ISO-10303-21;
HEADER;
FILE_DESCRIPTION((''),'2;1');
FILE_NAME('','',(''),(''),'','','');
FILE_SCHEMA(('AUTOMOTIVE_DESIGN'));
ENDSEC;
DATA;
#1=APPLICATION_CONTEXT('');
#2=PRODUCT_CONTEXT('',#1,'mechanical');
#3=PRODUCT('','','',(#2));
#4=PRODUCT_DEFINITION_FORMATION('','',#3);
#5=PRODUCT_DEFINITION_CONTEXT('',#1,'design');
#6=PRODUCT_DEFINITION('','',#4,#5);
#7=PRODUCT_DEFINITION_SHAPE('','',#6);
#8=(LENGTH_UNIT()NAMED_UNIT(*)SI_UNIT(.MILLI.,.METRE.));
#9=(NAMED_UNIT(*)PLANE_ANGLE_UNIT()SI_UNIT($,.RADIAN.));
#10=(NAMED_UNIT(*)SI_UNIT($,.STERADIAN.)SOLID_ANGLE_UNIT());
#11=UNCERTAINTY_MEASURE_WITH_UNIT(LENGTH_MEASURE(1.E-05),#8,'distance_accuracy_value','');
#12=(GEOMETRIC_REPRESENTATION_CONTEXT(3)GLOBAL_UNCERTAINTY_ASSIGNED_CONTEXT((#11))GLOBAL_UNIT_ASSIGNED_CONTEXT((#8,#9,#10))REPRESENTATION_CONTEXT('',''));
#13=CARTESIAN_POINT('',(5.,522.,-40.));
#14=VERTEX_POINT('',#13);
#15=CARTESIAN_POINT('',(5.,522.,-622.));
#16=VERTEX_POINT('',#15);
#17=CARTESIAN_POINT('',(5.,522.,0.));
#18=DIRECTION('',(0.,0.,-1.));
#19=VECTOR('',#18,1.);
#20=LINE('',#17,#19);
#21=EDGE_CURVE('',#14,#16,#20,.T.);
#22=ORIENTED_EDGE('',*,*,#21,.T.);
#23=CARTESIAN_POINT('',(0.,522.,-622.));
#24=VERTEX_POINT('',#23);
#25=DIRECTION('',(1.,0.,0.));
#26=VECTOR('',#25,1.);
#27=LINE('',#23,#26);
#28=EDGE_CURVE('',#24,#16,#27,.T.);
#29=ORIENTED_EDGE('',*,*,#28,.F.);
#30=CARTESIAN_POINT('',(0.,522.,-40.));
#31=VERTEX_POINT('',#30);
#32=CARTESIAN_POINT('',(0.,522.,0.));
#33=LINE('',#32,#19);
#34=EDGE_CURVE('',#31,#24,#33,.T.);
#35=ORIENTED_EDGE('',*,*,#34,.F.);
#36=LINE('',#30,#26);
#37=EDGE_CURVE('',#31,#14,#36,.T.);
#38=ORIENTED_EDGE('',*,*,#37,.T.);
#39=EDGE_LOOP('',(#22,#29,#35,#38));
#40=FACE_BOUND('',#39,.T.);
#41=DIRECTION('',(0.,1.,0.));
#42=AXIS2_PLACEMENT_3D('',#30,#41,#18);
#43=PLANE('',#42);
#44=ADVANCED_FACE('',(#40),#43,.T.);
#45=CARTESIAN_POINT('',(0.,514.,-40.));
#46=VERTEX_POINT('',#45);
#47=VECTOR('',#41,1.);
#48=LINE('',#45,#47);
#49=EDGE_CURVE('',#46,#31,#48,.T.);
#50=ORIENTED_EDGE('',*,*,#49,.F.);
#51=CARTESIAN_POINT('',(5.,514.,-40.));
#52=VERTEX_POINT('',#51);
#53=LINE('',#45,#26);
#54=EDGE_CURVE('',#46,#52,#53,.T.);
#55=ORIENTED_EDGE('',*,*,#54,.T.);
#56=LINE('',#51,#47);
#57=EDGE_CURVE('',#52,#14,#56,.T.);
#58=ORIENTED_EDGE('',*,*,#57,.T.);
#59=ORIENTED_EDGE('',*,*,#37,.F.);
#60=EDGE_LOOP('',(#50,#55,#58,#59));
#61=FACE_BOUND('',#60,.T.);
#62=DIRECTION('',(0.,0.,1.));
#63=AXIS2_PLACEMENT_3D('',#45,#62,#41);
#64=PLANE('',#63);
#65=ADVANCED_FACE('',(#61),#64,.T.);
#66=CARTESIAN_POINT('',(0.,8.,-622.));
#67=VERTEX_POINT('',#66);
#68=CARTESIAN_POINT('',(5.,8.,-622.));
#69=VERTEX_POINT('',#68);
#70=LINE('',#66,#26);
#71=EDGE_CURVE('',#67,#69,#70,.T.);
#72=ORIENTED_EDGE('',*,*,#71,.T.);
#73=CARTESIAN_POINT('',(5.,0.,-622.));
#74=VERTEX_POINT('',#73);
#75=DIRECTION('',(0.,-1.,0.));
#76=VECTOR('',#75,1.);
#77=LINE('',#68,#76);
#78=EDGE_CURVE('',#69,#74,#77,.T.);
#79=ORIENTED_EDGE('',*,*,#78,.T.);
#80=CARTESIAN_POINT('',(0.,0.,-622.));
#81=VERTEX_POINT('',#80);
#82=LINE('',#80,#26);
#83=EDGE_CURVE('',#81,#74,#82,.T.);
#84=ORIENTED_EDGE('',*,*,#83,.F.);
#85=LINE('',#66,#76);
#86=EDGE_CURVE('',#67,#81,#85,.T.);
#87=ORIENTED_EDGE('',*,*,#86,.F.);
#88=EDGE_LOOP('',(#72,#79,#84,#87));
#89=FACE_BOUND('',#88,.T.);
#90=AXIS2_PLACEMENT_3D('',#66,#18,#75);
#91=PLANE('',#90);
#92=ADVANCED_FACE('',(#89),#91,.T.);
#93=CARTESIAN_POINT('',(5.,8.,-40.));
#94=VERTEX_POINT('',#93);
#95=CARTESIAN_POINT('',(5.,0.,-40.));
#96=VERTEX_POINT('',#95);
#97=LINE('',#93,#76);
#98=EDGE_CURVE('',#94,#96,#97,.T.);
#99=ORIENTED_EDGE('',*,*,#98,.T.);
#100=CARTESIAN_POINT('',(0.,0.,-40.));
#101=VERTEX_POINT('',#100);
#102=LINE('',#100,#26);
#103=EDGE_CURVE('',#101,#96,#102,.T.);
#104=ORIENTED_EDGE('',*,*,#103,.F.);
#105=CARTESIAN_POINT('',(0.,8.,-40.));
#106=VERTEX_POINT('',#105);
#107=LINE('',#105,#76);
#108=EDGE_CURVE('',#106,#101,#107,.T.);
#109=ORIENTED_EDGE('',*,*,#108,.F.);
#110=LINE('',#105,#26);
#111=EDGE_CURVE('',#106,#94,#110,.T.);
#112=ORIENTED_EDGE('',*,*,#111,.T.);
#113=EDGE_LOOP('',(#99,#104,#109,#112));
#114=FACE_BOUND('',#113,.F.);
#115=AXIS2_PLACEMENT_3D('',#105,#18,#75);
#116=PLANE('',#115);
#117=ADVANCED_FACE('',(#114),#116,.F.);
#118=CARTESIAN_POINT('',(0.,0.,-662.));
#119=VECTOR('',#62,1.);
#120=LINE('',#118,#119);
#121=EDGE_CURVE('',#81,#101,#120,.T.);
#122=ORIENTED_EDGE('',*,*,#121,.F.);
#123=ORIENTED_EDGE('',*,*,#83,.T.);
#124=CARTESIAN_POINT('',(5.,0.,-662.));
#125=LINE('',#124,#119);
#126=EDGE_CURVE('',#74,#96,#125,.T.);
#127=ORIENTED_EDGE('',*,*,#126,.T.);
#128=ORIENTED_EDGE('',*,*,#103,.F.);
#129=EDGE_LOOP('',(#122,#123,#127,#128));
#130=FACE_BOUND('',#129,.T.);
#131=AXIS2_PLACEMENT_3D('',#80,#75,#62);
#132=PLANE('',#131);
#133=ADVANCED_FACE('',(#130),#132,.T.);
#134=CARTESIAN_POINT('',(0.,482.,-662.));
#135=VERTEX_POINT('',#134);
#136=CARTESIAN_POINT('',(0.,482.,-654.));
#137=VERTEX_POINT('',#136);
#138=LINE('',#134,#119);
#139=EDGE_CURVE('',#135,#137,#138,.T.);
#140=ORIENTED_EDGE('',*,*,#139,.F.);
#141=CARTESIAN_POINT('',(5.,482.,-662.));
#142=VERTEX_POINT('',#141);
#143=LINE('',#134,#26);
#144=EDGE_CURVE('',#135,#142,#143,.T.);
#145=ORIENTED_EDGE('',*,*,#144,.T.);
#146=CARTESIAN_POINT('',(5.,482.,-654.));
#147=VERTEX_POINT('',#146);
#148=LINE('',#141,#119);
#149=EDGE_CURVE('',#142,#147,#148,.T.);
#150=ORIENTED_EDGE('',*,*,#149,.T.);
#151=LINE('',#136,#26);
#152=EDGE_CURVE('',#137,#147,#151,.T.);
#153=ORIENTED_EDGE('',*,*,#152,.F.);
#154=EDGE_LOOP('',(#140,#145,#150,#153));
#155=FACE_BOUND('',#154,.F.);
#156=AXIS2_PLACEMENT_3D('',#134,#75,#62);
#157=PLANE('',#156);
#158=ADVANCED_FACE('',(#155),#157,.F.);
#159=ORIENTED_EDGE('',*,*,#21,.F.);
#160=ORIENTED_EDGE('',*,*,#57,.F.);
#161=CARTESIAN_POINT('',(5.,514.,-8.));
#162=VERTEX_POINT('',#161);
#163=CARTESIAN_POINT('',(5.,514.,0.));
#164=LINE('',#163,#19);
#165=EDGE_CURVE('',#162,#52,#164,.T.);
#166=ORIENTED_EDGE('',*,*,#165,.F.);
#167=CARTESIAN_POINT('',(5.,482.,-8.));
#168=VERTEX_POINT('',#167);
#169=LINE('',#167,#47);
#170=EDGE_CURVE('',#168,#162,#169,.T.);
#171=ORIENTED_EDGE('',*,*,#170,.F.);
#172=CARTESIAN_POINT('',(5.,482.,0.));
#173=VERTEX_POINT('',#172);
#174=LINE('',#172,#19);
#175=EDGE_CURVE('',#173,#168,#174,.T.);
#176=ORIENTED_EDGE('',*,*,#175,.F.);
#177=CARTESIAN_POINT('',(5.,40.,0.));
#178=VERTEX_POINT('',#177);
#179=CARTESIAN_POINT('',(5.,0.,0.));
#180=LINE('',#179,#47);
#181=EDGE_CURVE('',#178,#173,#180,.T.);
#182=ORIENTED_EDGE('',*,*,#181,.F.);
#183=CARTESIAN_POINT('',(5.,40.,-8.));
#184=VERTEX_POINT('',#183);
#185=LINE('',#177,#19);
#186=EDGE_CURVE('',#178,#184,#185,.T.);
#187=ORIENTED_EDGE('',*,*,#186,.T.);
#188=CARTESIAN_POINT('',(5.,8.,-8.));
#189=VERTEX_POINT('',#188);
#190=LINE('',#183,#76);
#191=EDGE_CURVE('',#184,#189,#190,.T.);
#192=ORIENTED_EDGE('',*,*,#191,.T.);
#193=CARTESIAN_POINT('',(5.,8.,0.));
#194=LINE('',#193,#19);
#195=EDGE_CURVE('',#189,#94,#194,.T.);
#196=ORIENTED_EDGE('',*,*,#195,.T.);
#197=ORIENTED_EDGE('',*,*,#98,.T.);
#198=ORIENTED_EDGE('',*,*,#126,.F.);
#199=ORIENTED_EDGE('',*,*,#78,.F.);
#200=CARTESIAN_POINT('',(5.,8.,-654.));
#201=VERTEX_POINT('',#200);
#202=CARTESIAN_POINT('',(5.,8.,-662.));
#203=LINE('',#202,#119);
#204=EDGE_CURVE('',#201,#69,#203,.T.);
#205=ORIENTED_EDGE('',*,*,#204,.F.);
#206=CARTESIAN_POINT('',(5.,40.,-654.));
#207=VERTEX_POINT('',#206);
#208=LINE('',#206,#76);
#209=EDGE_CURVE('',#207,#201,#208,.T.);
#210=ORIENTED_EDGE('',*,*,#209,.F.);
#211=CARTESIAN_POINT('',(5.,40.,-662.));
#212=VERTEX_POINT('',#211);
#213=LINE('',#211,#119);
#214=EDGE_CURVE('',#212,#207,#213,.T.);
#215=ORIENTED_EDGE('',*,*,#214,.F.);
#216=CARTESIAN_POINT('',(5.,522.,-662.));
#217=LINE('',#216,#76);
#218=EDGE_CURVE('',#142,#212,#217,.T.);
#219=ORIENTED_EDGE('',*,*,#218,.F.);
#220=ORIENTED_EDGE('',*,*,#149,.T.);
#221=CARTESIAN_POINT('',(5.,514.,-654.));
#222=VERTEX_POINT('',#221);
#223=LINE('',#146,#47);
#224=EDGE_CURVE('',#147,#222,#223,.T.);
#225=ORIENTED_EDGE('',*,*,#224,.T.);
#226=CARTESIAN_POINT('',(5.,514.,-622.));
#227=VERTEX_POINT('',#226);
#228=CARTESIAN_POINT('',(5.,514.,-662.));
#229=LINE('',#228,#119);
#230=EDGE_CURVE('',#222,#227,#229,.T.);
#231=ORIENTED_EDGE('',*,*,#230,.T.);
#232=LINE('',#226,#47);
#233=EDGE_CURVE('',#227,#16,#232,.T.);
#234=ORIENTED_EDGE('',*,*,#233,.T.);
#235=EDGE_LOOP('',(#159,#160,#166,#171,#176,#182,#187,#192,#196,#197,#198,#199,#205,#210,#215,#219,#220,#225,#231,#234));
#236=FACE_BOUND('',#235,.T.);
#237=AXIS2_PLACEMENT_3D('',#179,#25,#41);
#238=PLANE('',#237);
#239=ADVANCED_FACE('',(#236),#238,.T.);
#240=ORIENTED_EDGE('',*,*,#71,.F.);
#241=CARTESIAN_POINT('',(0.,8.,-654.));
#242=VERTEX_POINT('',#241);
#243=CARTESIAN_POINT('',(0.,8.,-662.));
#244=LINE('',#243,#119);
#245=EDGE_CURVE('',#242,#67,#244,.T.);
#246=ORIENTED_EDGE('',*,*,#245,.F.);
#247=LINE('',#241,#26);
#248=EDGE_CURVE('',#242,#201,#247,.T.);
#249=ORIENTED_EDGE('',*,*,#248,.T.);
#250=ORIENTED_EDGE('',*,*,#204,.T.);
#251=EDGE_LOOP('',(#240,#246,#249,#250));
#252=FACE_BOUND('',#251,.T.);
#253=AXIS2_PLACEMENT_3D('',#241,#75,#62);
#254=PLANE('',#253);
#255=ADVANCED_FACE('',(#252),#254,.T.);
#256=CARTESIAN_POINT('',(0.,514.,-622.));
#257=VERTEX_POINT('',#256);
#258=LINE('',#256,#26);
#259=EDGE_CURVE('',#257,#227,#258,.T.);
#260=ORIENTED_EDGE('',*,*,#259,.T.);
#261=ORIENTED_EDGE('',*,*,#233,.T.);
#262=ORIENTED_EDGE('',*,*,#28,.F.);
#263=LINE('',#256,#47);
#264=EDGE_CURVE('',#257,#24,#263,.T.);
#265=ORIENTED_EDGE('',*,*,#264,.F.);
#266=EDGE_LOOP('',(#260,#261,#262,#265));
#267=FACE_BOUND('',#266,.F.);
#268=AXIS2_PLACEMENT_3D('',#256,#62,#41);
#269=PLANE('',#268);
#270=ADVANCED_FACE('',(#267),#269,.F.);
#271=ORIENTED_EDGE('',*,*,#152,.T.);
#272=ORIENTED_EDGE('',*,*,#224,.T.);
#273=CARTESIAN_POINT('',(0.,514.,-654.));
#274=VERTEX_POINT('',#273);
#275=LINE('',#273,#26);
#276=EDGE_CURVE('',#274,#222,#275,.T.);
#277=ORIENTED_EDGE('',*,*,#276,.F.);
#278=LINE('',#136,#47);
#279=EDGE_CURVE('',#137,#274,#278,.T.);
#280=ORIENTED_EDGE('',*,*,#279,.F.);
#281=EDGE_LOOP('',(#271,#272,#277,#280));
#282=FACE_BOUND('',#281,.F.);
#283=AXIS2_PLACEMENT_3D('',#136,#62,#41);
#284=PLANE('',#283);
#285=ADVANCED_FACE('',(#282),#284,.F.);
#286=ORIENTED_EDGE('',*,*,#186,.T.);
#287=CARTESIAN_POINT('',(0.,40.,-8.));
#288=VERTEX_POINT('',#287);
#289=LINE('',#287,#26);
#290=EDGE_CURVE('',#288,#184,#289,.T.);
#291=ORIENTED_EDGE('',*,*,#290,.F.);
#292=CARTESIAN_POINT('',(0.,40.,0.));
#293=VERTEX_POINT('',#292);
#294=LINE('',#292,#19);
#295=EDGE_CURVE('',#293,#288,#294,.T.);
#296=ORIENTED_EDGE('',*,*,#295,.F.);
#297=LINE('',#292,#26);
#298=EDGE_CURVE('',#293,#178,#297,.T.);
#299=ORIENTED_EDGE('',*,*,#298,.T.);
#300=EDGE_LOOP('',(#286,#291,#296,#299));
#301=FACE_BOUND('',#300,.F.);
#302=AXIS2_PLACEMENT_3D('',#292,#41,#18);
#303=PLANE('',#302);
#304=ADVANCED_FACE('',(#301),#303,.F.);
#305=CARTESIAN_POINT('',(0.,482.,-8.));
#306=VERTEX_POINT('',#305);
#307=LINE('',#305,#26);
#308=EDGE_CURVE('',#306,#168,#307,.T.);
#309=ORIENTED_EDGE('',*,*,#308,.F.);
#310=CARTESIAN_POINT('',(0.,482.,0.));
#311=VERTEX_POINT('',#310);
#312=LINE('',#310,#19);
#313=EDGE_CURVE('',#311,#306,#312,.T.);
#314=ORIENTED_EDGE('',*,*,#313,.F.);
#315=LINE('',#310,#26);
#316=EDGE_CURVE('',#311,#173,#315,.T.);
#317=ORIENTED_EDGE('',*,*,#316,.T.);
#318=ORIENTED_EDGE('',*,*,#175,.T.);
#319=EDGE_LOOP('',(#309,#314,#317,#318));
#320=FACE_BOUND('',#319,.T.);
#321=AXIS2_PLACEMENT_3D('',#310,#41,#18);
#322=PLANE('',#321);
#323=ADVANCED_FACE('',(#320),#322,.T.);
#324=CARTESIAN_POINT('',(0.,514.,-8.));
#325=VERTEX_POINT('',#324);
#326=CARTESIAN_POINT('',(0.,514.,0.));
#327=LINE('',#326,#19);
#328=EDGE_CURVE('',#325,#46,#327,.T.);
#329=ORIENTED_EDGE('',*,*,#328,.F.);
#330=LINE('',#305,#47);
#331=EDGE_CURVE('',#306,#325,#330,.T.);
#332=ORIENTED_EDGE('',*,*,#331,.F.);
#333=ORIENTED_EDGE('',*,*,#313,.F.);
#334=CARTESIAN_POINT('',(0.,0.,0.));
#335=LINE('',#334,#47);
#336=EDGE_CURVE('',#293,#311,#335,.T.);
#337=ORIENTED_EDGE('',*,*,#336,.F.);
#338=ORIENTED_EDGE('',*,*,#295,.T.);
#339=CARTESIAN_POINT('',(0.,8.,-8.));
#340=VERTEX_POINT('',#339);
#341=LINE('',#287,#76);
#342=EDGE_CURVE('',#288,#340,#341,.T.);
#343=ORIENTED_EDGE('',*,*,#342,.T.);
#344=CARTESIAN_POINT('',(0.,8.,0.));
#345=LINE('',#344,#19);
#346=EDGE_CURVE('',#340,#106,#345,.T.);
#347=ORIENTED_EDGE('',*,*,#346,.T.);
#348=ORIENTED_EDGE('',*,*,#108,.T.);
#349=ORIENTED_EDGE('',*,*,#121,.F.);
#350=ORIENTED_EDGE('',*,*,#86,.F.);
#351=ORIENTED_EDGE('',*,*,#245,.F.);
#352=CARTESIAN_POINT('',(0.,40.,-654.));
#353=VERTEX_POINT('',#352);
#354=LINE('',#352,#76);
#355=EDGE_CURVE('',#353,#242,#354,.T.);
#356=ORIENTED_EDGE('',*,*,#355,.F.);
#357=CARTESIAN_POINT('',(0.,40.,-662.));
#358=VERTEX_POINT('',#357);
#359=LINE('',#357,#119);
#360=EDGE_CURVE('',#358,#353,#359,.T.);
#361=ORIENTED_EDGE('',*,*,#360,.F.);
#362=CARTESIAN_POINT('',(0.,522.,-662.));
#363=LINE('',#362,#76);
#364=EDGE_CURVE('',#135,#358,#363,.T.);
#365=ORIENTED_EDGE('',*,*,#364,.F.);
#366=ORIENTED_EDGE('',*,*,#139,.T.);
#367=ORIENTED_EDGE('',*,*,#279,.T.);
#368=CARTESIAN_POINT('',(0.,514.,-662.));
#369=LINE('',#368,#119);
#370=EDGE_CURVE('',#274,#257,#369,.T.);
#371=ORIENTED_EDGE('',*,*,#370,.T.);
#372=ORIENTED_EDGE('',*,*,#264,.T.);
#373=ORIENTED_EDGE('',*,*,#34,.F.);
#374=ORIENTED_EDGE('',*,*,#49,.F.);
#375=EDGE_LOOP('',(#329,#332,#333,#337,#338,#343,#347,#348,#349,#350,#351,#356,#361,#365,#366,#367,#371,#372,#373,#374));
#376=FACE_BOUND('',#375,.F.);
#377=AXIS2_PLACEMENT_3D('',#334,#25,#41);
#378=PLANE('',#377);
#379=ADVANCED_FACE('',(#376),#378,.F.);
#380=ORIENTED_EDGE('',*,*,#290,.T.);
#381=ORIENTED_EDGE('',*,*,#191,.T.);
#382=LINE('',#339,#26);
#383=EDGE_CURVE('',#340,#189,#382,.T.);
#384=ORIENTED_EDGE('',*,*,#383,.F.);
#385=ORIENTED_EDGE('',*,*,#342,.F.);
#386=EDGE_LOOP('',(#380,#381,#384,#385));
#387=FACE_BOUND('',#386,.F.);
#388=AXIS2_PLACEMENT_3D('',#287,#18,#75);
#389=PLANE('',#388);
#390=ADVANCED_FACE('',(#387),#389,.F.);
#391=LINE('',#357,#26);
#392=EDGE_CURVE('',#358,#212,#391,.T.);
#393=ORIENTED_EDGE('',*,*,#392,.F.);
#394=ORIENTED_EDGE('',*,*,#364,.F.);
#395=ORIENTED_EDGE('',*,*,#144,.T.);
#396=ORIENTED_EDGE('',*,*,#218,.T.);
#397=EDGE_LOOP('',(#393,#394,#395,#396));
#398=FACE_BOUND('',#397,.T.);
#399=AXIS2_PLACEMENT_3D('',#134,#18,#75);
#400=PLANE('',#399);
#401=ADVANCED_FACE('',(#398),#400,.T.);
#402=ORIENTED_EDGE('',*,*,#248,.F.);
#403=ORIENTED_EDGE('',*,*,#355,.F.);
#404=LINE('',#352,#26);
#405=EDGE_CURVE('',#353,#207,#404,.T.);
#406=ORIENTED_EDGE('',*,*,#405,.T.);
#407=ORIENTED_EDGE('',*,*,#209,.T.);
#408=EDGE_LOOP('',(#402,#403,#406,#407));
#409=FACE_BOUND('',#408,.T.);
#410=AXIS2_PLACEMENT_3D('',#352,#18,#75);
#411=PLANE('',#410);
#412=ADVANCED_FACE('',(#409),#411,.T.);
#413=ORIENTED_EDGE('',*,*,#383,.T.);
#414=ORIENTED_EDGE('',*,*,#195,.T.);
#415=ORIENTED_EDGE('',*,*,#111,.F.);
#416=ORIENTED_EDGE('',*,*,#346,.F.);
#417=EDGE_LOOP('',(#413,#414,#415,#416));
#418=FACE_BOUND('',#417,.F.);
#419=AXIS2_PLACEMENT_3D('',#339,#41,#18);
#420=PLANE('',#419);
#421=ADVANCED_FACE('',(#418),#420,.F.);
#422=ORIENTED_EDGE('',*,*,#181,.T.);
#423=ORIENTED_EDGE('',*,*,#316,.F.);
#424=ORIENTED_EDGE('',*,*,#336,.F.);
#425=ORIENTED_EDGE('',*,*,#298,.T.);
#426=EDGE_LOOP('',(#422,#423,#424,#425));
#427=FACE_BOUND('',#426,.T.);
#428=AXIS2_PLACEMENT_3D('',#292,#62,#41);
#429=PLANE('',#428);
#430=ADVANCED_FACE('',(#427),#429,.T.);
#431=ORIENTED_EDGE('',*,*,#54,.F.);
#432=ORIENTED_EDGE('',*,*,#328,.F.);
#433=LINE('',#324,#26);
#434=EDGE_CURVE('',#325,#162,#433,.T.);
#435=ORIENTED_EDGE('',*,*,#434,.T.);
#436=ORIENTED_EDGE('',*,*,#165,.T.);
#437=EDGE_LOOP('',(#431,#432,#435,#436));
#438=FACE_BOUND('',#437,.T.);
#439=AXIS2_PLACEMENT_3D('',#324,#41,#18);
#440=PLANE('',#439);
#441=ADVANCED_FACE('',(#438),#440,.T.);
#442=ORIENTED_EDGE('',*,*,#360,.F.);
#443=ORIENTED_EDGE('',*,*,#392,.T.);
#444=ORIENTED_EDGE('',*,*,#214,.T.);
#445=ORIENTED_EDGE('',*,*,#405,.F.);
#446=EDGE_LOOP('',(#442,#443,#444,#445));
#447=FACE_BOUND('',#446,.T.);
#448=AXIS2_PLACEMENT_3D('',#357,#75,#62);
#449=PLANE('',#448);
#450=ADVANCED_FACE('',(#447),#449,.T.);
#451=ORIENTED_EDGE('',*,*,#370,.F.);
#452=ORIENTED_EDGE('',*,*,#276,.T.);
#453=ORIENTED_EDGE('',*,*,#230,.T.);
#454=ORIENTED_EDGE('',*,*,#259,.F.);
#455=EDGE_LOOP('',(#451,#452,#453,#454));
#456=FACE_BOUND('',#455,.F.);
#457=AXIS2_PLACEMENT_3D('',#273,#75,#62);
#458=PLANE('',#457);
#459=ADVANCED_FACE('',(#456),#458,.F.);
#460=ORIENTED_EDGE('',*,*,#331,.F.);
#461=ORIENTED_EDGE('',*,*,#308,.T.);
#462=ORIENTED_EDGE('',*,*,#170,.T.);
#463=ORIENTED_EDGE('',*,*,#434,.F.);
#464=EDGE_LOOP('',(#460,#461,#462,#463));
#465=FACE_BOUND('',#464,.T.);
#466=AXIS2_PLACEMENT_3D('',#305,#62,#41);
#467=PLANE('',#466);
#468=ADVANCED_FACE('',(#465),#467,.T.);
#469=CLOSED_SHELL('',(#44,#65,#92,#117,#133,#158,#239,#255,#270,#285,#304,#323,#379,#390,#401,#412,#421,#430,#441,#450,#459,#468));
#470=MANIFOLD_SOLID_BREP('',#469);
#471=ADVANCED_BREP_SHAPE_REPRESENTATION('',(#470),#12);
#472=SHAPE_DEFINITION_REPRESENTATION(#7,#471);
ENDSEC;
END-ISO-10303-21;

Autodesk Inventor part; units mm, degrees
ref_plane "YZ Plane" through (0, 0, 0) normal (1, 0, 0) x (0, 1, 0)
ref_plane "XZ Plane" through (0, 0, 0) normal (0, 1, 0) x (-1, 0, 0)
ref_plane "XY Plane" through (0, 0, 0) normal (0, 0, 1) x (1, 0, 0)
sketch "Sketch1" plane through (0, 0, 0) normal (1, 0, 0) x (0, 1, 0)
  line L0 (0, 0) -> (522, 0)
  line L1 (522, 0) -> (522, -662)
  line L2 (522, -662) -> (0, -662)
  line L3 (0, -662) -> (0, 0)
  line L4 (522, 0) -> (514, 0)
  line L5 (514, 0) -> (514, -40)
  line L6 (514, -40) -> (522, -40)
  line L7 (522, -40) -> (522, 0)
  line L8 (522, 0) -> (482, 0)
  line L9 (482, 0) -> (482, -8)
  line L10 (482, -8) -> (522, -8)
  line L11 (522, -8) -> (522, 0)
  line L12 (856.5319, -331) -> (-65.1606, -331) construction
  line L13 (261, 165.682) -> (261, -1074.2454) construction
  line L14 (522, -662) -> (514, -662)
  line L15 (514, -662) -> (514, -622)
  line L16 (514, -622) -> (522, -622)
  line L17 (522, -622) -> (522, -662)
  line L18 (522, -662) -> (482, -662)
  line L19 (482, -662) -> (482, -654)
  line L20 (482, -654) -> (522, -654)
  line L21 (522, -654) -> (522, -662)
  line L22 (0, 0) -> (0, -662)
  line L23 (0, 0) -> (8, 0)
  line L24 (8, 0) -> (8, -40)
  line L25 (8, -40) -> (0, -40)
  line L26 (0, -40) -> (0, 0)
  line L27 (0, 0) -> (40, 0)
  line L28 (40, 0) -> (40, -8)
  line L29 (40, -8) -> (0, -8)
  line L30 (0, -8) -> (0, 0)
  line L31 (8, -622) -> (0, -622)
  line L32 (40, -654) -> (0, -654)
  line L33 (0, -662) -> (8, -662)
  line L34 (8, -662) -> (8, -622)
  line L35 (0, -622) -> (0, -662)
  line L36 (0, -662) -> (40, -662)
  line L37 (40, -662) -> (40, -654)
  line L38 (0, -654) -> (0, -662)
  point P0 (482, -662)
  point P1 (514, -654)
  point P2 (522, -622)
  point P3 (522, -40)
  point P4 (514, -8)
  point P5 (482, 0)
  point P6 (40, 0)
  point P7 (8, -8)
  point P8 (0, -40)
  point P9 (0, -622)
  point P10 (8, -654)
  dimension "d0" = 522
  dimension "d1" = 662
  dimension "d2" = 40
  dimension "d3" = 40
  dimension "d4" = 8
  dimension "d5" = 8
  dimension "d6" = 331
  dimension "d7" = 261
extrude "Extrusion1" add sketch "Sketch1" along normal blind 5 contours L0 L9 L10 L5 L6 L1 L16 L15 L20 L19 L2 L37 L32 L34 L31 L3 L25 L24 L29 L28
equation "\"d6\" = 0.5 * d1"
equation "\"d7\" = 0.5 * d0"
properties part number "Acrly_Wand_1"
